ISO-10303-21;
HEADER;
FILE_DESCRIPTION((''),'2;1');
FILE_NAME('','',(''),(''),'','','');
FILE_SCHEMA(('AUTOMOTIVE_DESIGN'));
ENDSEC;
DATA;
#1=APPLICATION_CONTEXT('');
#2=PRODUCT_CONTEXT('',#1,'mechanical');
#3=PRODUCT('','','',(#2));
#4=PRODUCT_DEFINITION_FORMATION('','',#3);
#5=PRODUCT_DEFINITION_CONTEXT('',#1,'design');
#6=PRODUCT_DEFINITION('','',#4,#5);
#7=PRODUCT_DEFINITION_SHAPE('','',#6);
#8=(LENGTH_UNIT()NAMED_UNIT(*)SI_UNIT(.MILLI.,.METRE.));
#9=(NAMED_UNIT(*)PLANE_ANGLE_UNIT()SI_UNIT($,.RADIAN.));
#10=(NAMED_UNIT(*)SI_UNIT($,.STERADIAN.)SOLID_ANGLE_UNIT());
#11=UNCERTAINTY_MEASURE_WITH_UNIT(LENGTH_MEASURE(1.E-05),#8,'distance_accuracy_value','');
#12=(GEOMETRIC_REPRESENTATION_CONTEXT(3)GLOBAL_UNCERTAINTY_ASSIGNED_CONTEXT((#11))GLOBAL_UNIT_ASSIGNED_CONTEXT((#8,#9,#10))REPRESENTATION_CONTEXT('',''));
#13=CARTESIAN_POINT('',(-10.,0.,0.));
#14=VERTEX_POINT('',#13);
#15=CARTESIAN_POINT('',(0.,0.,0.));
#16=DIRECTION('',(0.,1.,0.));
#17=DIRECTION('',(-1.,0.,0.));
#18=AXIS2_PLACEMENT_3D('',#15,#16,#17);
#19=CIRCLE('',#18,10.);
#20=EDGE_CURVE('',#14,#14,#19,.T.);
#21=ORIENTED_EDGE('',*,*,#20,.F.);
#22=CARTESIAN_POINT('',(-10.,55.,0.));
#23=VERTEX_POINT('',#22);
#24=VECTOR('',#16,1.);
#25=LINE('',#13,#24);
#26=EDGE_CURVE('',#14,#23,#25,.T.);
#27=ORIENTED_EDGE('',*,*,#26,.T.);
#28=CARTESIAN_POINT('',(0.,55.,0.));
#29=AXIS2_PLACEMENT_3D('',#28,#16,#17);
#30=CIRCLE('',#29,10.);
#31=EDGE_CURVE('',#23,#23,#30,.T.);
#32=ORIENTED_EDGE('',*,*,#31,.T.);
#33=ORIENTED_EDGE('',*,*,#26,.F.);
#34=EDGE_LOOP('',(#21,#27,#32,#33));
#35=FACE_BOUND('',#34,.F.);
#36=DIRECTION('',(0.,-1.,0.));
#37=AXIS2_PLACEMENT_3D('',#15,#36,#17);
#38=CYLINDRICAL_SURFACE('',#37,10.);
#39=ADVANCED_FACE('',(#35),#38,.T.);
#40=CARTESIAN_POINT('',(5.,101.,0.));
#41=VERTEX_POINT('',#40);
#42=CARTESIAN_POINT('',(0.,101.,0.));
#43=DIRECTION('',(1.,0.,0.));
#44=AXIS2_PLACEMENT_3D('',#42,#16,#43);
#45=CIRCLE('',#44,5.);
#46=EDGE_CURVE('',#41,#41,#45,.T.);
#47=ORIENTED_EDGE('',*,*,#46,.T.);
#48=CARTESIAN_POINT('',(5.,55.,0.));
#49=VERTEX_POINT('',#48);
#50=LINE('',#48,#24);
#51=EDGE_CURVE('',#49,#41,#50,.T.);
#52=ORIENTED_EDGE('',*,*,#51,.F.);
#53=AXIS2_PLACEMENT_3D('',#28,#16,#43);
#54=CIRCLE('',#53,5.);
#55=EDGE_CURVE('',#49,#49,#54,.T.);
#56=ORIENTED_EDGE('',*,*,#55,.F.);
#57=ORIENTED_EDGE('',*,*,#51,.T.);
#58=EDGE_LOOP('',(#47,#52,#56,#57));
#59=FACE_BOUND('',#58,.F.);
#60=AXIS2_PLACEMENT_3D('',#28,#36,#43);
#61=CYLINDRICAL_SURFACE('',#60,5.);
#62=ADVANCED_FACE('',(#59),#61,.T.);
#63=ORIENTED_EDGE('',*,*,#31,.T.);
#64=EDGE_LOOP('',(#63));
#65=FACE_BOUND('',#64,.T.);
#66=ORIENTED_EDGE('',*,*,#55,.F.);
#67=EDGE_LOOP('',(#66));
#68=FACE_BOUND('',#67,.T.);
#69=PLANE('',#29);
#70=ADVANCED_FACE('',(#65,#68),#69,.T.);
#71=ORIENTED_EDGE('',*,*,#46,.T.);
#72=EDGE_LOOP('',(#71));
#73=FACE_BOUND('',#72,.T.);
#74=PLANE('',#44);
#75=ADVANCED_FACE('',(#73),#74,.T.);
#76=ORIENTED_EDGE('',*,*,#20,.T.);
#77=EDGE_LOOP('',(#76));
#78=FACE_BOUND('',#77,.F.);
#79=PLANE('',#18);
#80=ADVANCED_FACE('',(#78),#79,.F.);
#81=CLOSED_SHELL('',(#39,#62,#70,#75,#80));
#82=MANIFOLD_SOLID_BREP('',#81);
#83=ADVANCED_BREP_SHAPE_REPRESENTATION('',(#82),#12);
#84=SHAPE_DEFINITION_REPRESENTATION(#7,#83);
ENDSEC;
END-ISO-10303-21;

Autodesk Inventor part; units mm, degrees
ref_plane "YZ Plane" through (0, 0, 0) normal (1, 0, 0) x (0, 1, 0)
ref_plane "XZ Plane" through (0, 0, 0) normal (0, 1, 0) x (-1, 0, 0)
ref_plane "XY Plane" through (0, 0, 0) normal (0, 0, 1) x (1, 0, 0)
sketch "Esquisse1" plane through (0, 0, 0) normal (0, 1, 0) x (-1, 0, 0)
  circle A0 centre (0, 0) radius 10
  dimension "d0" = 20
extrude "Extrusion1" add sketch "Esquisse1" along normal blind 55
sketch "Esquisse2" plane through (0, 55, 0) normal (0, 1, 0) x (1, 0, 0)
  circle A0 centre (0, 0) radius 5
  dimension "d3" = 10
extrude "Extrusion2" add sketch "Esquisse2" along normal blind 46
properties part number "Moteur roue"
